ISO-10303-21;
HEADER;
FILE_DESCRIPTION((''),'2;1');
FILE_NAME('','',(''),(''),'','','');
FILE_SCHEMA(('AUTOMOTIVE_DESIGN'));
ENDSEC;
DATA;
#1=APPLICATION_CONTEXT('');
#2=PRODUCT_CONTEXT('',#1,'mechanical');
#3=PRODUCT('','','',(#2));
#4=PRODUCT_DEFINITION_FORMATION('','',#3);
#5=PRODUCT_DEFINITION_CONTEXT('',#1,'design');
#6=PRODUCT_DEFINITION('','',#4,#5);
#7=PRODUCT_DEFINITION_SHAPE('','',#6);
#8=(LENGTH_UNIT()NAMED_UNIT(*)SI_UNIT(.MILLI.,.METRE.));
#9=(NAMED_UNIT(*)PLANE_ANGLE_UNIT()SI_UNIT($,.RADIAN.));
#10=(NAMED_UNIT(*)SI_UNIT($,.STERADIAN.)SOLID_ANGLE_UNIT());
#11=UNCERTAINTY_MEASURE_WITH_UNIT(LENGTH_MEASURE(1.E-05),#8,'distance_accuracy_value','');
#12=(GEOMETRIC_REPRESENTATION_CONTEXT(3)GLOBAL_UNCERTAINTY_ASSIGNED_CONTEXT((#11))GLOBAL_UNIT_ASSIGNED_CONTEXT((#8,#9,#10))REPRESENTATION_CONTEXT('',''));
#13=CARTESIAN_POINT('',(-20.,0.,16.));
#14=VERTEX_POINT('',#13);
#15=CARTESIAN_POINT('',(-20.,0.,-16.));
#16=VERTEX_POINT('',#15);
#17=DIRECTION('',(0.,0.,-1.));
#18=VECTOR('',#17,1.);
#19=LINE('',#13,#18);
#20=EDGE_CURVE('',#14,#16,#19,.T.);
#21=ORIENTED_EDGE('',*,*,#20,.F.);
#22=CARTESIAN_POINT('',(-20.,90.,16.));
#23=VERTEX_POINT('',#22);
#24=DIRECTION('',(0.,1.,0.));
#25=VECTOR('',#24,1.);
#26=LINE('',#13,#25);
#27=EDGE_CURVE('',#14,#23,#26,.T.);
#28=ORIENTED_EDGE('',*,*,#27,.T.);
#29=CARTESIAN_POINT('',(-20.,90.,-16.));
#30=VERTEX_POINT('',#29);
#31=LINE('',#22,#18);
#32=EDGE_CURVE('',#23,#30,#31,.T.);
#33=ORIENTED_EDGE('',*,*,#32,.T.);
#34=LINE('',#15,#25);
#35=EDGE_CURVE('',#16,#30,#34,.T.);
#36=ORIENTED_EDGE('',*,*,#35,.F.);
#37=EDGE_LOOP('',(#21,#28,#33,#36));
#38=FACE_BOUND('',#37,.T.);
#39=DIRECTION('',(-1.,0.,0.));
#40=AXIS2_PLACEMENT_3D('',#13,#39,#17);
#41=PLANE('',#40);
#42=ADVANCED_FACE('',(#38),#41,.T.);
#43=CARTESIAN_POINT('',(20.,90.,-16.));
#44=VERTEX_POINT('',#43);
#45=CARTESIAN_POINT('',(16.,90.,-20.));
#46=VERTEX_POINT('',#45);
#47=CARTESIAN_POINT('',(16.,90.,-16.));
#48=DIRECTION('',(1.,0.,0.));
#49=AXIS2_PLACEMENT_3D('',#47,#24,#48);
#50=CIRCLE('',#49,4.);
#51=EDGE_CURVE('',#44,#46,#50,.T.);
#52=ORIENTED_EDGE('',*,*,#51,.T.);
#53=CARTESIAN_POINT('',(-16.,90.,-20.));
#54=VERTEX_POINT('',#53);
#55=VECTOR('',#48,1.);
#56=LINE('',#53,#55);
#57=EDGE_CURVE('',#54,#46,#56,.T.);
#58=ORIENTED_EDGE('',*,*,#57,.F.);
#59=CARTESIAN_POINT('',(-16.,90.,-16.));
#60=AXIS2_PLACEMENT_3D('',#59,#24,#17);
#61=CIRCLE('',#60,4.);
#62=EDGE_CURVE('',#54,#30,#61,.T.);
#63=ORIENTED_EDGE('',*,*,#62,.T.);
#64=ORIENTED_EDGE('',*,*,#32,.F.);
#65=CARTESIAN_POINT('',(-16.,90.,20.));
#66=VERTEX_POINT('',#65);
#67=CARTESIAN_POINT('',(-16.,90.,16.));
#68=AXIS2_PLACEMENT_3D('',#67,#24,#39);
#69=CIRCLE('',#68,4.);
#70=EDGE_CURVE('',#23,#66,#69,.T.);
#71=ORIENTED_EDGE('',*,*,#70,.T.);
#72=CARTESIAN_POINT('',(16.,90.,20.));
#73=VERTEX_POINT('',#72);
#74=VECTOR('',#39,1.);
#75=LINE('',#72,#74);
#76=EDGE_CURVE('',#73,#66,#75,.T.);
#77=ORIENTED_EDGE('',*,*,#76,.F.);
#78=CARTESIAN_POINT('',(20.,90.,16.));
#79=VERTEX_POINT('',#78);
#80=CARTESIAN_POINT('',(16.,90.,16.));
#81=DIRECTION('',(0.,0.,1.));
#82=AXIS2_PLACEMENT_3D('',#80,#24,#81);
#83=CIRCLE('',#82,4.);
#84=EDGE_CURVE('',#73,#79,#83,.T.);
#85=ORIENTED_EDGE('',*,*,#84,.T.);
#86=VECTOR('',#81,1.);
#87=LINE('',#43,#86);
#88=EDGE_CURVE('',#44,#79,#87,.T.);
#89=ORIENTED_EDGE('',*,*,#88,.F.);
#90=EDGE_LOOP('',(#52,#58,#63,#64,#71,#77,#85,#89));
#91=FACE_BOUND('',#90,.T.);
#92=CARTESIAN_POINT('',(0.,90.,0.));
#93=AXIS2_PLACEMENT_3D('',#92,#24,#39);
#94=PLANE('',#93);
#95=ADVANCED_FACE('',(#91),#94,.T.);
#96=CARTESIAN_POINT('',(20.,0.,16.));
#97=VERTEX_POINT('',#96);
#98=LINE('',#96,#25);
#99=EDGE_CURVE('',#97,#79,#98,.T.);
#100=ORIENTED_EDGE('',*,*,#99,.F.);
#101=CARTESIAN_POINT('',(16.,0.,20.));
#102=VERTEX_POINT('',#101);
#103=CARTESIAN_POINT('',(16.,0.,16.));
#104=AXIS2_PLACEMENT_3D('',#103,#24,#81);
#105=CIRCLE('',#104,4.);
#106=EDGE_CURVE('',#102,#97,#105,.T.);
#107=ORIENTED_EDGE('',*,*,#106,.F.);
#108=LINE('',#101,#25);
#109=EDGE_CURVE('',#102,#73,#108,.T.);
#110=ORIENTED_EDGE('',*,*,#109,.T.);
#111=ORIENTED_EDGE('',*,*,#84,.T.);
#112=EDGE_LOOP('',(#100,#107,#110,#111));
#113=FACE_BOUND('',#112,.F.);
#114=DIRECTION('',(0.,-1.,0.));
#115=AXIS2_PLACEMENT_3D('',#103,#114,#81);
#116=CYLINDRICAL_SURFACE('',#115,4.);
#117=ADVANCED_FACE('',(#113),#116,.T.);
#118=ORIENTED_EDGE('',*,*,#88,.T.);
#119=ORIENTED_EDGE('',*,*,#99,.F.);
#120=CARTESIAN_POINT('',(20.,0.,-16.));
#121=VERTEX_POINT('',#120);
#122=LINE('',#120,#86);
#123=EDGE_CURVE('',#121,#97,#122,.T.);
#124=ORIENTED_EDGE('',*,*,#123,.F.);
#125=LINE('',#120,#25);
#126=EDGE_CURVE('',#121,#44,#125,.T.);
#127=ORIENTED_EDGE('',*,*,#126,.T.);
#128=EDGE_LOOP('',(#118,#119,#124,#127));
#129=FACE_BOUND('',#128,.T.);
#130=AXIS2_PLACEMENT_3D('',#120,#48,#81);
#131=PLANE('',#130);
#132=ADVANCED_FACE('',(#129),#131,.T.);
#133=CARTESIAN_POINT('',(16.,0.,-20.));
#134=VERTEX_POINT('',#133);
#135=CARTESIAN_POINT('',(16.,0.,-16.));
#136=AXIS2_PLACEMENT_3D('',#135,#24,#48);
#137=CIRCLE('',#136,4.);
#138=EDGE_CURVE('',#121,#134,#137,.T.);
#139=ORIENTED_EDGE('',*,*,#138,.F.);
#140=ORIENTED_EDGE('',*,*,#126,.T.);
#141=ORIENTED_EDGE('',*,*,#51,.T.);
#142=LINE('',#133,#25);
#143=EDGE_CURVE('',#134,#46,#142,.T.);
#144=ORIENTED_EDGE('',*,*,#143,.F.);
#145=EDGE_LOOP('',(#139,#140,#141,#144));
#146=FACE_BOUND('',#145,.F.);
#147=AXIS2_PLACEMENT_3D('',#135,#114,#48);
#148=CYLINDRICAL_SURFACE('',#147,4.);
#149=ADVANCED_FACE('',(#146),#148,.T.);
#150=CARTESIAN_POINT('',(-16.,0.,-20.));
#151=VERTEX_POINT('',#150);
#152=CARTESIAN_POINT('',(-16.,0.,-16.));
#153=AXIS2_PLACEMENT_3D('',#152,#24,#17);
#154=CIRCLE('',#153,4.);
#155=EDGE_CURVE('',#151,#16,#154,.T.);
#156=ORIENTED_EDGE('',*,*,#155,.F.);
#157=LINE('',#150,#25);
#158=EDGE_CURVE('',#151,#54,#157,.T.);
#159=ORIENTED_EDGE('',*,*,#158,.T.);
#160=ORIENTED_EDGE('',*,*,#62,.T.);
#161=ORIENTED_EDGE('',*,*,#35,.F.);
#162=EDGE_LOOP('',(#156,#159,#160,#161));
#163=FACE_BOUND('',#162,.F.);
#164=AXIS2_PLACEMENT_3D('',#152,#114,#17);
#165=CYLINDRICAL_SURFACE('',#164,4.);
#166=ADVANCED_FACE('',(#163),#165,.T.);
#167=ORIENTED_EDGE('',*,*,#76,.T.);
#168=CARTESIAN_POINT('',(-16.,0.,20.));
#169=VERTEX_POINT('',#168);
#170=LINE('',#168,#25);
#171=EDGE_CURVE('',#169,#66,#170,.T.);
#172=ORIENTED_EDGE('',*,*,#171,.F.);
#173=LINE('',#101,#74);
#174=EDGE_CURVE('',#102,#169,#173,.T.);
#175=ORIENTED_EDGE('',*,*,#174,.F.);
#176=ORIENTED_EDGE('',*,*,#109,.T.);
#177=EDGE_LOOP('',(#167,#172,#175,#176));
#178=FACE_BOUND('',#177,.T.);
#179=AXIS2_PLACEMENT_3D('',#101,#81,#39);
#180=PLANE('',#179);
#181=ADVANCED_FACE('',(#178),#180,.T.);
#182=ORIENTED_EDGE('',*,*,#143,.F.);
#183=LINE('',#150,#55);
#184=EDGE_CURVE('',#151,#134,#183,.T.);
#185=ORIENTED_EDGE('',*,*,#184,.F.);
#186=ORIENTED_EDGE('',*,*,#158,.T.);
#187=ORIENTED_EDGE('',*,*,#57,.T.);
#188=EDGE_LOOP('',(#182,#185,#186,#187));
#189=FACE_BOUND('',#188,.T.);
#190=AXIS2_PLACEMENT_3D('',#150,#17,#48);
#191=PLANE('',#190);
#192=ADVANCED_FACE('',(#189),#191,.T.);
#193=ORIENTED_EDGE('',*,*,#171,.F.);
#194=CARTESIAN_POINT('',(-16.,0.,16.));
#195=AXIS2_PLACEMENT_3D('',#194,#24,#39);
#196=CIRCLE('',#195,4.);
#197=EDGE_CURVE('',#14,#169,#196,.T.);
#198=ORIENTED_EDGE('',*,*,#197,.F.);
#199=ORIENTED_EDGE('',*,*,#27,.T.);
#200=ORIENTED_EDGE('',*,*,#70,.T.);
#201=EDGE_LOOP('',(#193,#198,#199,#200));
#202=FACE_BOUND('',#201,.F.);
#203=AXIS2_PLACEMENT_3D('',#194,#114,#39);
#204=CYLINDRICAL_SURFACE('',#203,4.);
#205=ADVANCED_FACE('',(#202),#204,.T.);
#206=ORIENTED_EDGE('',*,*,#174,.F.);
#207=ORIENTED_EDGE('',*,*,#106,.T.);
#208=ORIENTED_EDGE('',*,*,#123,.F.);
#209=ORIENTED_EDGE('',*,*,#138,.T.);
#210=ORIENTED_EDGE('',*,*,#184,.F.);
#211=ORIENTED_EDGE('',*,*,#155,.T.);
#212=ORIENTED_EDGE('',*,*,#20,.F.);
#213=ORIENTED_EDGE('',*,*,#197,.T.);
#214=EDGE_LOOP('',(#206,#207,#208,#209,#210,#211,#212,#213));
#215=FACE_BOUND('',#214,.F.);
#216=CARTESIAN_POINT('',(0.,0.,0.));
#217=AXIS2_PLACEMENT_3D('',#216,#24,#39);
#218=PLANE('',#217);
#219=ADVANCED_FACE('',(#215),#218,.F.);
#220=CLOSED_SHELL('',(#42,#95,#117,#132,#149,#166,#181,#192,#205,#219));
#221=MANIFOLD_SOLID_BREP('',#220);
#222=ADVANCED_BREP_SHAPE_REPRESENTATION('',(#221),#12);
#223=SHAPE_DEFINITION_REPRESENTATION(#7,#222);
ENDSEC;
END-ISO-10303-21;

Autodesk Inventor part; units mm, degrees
ref_plane "YZ Plane" through (0, 0, 0) normal (1, 0, 0) x (0, 1, 0)
ref_plane "XZ Plane" through (0, 0, 0) normal (0, 1, 0) x (-1, 0, 0)
ref_plane "XY Plane" through (0, 0, 0) normal (0, 0, 1) x (1, 0, 0)
sketch "Sketch1" plane through (0, 0, 0) normal (0, 1, 0) x (-1, 0, 0)
  line L0 (12.8536, 0) -> (-12.8536, 0) construction
  line L1 (0, -18.0149) -> (0, 18.0149) construction
  line L2 (16, -20) -> (-16, -20)
  line L3 (-20, -16) -> (-20, 16)
  line L4 (-16, 20) -> (16, 20)
  line L5 (20, 16) -> (20, -16)
  arc A0 (-16, 20) -> (-20, 16) centre (-16, 16) ccw
  arc A1 (-20, -16) -> (-16, -20) centre (-16, -16) ccw
  arc A2 (16, -20) -> (20, -16) centre (16, -16) ccw
  arc A3 (20, 16) -> (16, 20) centre (16, 16) ccw
  point P0 (0, 0)
  point P1 (0, 0)
  point P2 (0, 0)
  point P3 (20, -20)
  point P4 (-20, 20)
  point P5 (-20, -20)
  point P6 (20, 20)
  dimension "d0" = 40
  dimension "d1" = 40
  dimension "d2" = 4
extrude "Extrusion1" add sketch "Sketch1" along normal blind 90
properties part number "Item4040RotorVerticalV1"
